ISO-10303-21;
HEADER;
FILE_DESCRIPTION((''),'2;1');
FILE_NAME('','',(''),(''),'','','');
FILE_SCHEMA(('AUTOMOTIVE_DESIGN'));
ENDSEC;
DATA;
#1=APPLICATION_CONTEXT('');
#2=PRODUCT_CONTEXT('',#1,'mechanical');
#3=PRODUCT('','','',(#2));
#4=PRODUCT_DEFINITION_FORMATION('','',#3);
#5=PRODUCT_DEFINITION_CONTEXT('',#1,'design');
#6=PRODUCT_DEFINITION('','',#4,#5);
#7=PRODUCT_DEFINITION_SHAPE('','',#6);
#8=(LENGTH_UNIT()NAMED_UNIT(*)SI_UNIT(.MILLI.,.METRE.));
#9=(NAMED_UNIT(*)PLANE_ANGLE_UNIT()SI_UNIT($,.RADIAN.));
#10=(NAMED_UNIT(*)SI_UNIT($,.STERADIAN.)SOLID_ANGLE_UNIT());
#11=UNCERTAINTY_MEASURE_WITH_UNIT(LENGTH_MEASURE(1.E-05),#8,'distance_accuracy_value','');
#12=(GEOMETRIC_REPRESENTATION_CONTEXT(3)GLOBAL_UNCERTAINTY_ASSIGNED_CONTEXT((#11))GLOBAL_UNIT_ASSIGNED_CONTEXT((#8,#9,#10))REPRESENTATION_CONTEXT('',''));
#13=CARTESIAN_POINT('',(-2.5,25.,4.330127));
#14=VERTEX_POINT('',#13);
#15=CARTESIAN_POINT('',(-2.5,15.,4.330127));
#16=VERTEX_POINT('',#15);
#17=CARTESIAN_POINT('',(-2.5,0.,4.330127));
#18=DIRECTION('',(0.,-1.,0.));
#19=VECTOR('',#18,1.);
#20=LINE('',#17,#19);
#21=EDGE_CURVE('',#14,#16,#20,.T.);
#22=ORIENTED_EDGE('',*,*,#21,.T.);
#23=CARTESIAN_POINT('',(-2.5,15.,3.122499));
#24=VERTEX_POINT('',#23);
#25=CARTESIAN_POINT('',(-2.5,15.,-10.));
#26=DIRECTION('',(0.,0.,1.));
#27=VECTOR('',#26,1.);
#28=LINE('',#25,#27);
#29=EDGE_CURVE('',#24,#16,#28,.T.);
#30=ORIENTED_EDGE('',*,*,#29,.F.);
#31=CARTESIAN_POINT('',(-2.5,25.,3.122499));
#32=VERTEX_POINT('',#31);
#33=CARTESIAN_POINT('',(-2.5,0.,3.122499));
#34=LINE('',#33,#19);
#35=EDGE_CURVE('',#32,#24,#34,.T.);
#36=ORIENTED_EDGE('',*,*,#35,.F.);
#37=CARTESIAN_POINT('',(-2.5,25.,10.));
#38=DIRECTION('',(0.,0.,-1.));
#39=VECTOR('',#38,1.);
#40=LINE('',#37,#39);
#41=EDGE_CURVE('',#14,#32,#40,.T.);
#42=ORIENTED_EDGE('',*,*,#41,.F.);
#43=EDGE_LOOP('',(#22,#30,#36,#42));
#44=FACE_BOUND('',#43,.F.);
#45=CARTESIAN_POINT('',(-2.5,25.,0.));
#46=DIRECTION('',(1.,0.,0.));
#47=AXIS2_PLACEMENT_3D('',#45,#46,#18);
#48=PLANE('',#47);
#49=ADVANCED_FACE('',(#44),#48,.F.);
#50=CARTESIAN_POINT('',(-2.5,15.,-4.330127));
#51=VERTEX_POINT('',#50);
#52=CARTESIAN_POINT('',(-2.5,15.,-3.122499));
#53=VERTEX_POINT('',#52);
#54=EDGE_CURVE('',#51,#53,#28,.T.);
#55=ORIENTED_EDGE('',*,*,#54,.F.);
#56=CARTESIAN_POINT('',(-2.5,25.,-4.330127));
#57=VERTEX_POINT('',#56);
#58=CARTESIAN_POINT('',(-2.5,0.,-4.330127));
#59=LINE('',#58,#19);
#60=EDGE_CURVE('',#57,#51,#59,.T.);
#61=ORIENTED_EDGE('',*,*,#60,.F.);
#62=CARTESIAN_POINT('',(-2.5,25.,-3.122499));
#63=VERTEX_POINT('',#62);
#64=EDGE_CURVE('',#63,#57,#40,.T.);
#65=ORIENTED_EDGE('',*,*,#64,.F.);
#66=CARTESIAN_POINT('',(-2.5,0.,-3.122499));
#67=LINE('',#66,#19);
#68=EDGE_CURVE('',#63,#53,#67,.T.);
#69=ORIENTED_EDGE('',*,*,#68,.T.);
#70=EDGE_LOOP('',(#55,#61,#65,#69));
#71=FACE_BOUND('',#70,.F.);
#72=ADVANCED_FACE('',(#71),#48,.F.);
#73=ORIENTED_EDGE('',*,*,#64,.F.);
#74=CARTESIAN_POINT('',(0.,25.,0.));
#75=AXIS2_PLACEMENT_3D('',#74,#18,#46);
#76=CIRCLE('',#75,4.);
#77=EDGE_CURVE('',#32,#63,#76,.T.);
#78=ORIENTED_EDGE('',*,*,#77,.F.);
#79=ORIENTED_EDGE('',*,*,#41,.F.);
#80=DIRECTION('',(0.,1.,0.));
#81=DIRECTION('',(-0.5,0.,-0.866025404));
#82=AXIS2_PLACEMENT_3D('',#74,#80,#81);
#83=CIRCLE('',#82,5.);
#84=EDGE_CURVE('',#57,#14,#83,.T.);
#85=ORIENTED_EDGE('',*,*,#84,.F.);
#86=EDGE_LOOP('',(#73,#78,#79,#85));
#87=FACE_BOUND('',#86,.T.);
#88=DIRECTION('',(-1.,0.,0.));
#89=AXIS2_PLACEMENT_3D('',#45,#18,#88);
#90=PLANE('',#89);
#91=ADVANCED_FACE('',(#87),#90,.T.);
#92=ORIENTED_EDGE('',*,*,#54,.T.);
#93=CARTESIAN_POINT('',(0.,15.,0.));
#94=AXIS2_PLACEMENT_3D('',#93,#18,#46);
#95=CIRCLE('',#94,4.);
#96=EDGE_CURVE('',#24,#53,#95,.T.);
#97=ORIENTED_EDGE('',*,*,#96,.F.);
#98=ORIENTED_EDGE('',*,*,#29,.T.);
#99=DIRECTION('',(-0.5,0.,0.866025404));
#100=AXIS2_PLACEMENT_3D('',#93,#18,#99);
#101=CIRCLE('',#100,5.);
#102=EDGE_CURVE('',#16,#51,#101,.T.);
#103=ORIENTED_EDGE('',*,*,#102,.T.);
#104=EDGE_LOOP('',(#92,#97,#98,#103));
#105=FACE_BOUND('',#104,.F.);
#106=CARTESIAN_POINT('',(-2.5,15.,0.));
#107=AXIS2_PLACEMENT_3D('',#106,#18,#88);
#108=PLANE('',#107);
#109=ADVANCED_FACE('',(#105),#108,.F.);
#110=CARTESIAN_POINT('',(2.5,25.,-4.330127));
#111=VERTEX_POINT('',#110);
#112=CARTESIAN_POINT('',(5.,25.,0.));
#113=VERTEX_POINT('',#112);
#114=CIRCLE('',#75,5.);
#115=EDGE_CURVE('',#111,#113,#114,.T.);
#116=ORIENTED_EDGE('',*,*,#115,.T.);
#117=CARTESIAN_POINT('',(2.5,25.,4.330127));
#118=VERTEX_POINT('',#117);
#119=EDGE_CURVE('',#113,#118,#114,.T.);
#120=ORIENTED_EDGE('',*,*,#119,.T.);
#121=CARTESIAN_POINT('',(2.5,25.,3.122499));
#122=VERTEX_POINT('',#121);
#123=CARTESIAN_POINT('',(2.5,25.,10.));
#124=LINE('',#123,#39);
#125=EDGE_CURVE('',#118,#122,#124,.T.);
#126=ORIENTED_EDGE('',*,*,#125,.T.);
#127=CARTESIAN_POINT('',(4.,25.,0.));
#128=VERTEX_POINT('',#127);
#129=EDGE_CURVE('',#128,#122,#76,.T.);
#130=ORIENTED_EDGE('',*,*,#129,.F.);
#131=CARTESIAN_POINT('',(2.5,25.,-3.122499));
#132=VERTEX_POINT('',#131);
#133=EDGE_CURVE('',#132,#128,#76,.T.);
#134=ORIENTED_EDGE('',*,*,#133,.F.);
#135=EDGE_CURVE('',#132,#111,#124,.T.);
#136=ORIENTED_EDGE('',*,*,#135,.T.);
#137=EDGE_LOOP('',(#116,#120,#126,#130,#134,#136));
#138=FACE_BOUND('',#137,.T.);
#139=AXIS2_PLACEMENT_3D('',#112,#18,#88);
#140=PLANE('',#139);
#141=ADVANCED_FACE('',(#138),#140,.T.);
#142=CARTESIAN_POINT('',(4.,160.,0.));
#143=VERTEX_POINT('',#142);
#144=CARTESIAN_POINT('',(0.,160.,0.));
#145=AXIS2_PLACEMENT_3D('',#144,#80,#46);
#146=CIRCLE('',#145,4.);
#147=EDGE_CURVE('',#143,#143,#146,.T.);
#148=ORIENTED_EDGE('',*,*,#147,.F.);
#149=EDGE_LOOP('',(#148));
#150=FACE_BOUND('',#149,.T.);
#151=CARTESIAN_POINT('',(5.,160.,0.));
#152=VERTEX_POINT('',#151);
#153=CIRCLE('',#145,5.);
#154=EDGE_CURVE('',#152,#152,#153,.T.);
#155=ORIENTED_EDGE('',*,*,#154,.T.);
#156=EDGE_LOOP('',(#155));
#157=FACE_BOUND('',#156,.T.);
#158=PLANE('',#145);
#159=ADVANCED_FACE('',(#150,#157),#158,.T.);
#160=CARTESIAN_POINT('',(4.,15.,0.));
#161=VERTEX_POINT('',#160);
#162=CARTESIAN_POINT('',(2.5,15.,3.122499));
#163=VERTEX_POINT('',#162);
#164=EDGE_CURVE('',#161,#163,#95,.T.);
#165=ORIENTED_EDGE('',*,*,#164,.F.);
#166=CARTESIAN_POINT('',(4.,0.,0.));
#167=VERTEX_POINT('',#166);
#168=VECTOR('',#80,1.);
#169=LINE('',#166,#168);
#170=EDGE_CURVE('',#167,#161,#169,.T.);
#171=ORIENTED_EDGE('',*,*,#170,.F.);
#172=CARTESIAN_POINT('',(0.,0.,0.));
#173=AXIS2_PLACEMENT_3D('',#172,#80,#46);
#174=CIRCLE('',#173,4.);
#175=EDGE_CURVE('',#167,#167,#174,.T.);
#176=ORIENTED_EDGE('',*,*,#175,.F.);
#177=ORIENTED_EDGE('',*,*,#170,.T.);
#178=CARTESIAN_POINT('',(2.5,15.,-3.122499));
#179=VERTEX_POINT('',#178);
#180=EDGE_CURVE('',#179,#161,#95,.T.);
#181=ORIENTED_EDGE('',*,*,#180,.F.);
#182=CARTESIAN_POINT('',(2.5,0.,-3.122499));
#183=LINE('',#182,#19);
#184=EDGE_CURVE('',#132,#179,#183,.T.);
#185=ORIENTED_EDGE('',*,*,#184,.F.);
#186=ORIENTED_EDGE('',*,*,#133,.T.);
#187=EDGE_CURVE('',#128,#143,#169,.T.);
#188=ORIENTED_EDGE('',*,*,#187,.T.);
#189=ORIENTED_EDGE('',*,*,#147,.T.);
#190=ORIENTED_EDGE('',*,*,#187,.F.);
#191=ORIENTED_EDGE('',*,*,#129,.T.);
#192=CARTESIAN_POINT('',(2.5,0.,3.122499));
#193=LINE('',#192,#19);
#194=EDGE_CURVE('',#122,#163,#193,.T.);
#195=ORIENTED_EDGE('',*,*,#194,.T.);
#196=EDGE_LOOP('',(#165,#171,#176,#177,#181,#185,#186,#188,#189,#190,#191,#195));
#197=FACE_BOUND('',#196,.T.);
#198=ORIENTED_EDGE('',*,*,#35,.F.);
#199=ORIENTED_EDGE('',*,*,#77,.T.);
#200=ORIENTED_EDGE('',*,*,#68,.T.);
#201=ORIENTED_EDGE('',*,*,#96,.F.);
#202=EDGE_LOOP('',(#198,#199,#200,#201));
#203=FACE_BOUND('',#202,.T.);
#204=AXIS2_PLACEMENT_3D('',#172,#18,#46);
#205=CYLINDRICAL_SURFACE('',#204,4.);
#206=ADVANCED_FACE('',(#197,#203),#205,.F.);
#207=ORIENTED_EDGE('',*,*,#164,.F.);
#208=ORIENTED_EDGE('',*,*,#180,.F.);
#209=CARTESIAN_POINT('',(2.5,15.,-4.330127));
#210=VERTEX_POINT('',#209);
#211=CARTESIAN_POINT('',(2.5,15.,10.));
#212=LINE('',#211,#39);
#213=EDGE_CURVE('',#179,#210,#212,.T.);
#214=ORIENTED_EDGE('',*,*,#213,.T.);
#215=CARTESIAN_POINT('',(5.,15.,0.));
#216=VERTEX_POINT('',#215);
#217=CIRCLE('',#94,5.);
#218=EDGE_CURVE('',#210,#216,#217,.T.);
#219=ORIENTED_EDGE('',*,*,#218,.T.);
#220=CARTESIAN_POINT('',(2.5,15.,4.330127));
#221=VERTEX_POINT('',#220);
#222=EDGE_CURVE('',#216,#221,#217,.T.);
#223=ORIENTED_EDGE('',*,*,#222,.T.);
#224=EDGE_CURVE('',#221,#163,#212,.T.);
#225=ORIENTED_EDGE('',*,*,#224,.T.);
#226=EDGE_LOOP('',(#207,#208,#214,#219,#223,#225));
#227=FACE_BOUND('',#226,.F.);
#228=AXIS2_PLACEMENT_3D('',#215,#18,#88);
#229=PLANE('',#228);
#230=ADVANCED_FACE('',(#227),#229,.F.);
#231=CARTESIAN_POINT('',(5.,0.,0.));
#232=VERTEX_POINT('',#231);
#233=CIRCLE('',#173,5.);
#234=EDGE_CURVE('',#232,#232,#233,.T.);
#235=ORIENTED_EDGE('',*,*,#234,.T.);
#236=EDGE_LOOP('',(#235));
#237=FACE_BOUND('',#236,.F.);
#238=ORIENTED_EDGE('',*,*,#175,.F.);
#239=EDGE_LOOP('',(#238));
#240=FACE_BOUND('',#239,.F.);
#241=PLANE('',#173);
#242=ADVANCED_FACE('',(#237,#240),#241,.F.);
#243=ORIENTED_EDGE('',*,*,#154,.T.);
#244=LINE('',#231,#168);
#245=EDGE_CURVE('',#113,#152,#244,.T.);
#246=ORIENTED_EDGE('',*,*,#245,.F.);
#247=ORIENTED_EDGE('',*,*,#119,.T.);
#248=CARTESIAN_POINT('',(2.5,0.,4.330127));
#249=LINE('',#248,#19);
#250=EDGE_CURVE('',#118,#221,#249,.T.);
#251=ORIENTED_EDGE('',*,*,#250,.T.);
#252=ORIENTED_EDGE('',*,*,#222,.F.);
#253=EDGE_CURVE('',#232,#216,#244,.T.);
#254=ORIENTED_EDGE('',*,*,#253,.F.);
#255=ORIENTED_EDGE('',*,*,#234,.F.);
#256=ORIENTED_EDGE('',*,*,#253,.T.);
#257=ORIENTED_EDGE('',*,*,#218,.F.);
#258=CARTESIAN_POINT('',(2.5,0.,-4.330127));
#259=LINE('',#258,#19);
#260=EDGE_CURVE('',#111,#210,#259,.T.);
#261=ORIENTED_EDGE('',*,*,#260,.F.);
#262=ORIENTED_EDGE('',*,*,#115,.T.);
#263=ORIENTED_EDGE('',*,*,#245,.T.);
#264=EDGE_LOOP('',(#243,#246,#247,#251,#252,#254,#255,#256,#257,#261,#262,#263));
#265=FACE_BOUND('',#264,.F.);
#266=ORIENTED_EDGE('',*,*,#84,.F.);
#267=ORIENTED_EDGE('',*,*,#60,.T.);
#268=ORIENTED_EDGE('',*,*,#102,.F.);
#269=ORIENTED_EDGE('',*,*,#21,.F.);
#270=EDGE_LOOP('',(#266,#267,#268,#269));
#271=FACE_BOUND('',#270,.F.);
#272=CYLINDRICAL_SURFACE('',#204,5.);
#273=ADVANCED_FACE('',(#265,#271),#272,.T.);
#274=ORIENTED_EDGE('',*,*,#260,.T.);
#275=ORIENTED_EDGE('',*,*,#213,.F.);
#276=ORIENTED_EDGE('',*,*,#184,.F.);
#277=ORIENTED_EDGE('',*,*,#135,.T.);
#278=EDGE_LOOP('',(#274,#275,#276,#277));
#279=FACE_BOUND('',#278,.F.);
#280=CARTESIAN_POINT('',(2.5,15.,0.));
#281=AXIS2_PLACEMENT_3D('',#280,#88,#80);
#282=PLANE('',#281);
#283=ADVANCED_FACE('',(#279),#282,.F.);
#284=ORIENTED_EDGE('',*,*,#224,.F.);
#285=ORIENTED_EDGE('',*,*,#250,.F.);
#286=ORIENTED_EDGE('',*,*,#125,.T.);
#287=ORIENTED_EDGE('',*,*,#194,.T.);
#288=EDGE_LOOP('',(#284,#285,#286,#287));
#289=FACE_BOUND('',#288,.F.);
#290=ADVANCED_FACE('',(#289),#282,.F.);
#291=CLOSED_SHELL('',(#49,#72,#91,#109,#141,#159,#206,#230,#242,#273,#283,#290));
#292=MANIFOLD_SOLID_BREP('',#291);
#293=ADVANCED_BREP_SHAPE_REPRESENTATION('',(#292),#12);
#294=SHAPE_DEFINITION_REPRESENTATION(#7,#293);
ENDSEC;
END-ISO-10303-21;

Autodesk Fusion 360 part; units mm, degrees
sketch "Sketch1" plane through (0, 0, 0) normal (0, 1, 0) x (1, 0, 0)
  circle A0 centre (0, 0) radius 5
  circle A1 centre (0, 0) radius 4
  dimension "d1" = 10
  dimension "d2" = 8
extrude "Extrude1" add sketch "Sketch1" along normal blind 160
sketch "Sketch2" plane through (0, 0, 0) normal (0, 0, 1) x (1, 0, 0)
  line L0 (-5, 0) -> (5, 0)
  line L1 (5, 0) -> (5, 15)
  line L2 (5, 15) -> (-5, 15)
  line L3 (-5, 15) -> (-5, 0)
  line L4 (-5, 15) -> (5, 15)
  line L5 (5, 15) -> (5, 25)
  line L6 (5, 25) -> (-5, 25)
  line L7 (-5, 25) -> (-5, 15)
  line L8 (-5, 25) -> (-2.5, 25)
  line L9 (-2.5, 25) -> (-2.5, 15)
  line L10 (-2.5, 15) -> (-5, 15)
  line L11 (-5, 15) -> (-5, 25)
  line L12 (5, 15) -> (2.5, 15)
  line L13 (2.5, 15) -> (2.5, 25)
  line L14 (2.5, 25) -> (5, 25)
  line L15 (5, 25) -> (5, 15)
  dimension "d5" = 10
  dimension "d6" = 15
  dimension "d7" = 10
  dimension "d8" = 10
  dimension "d9" = 2.5
  dimension "d10" = 10
  dimension "d11" = 2.5
  dimension "d12" = 10
extrude "Extrude2" cut sketch "Sketch2" along normal mid plane 20 contours L2 L4 L6 L7 L8 L9 L10 L11 | L2 L4 L5 L6 L12 L13 L14 L15
equation "d2 = d1 - 2 mm"
equation "d5 = d1"
equation "d7 = d1"
equation "d9 = d1 / 4"
equation "d10 = d1"
equation "d11 = d1 / 4"
equation "d12 = d1"
equation "d13 = d1"
